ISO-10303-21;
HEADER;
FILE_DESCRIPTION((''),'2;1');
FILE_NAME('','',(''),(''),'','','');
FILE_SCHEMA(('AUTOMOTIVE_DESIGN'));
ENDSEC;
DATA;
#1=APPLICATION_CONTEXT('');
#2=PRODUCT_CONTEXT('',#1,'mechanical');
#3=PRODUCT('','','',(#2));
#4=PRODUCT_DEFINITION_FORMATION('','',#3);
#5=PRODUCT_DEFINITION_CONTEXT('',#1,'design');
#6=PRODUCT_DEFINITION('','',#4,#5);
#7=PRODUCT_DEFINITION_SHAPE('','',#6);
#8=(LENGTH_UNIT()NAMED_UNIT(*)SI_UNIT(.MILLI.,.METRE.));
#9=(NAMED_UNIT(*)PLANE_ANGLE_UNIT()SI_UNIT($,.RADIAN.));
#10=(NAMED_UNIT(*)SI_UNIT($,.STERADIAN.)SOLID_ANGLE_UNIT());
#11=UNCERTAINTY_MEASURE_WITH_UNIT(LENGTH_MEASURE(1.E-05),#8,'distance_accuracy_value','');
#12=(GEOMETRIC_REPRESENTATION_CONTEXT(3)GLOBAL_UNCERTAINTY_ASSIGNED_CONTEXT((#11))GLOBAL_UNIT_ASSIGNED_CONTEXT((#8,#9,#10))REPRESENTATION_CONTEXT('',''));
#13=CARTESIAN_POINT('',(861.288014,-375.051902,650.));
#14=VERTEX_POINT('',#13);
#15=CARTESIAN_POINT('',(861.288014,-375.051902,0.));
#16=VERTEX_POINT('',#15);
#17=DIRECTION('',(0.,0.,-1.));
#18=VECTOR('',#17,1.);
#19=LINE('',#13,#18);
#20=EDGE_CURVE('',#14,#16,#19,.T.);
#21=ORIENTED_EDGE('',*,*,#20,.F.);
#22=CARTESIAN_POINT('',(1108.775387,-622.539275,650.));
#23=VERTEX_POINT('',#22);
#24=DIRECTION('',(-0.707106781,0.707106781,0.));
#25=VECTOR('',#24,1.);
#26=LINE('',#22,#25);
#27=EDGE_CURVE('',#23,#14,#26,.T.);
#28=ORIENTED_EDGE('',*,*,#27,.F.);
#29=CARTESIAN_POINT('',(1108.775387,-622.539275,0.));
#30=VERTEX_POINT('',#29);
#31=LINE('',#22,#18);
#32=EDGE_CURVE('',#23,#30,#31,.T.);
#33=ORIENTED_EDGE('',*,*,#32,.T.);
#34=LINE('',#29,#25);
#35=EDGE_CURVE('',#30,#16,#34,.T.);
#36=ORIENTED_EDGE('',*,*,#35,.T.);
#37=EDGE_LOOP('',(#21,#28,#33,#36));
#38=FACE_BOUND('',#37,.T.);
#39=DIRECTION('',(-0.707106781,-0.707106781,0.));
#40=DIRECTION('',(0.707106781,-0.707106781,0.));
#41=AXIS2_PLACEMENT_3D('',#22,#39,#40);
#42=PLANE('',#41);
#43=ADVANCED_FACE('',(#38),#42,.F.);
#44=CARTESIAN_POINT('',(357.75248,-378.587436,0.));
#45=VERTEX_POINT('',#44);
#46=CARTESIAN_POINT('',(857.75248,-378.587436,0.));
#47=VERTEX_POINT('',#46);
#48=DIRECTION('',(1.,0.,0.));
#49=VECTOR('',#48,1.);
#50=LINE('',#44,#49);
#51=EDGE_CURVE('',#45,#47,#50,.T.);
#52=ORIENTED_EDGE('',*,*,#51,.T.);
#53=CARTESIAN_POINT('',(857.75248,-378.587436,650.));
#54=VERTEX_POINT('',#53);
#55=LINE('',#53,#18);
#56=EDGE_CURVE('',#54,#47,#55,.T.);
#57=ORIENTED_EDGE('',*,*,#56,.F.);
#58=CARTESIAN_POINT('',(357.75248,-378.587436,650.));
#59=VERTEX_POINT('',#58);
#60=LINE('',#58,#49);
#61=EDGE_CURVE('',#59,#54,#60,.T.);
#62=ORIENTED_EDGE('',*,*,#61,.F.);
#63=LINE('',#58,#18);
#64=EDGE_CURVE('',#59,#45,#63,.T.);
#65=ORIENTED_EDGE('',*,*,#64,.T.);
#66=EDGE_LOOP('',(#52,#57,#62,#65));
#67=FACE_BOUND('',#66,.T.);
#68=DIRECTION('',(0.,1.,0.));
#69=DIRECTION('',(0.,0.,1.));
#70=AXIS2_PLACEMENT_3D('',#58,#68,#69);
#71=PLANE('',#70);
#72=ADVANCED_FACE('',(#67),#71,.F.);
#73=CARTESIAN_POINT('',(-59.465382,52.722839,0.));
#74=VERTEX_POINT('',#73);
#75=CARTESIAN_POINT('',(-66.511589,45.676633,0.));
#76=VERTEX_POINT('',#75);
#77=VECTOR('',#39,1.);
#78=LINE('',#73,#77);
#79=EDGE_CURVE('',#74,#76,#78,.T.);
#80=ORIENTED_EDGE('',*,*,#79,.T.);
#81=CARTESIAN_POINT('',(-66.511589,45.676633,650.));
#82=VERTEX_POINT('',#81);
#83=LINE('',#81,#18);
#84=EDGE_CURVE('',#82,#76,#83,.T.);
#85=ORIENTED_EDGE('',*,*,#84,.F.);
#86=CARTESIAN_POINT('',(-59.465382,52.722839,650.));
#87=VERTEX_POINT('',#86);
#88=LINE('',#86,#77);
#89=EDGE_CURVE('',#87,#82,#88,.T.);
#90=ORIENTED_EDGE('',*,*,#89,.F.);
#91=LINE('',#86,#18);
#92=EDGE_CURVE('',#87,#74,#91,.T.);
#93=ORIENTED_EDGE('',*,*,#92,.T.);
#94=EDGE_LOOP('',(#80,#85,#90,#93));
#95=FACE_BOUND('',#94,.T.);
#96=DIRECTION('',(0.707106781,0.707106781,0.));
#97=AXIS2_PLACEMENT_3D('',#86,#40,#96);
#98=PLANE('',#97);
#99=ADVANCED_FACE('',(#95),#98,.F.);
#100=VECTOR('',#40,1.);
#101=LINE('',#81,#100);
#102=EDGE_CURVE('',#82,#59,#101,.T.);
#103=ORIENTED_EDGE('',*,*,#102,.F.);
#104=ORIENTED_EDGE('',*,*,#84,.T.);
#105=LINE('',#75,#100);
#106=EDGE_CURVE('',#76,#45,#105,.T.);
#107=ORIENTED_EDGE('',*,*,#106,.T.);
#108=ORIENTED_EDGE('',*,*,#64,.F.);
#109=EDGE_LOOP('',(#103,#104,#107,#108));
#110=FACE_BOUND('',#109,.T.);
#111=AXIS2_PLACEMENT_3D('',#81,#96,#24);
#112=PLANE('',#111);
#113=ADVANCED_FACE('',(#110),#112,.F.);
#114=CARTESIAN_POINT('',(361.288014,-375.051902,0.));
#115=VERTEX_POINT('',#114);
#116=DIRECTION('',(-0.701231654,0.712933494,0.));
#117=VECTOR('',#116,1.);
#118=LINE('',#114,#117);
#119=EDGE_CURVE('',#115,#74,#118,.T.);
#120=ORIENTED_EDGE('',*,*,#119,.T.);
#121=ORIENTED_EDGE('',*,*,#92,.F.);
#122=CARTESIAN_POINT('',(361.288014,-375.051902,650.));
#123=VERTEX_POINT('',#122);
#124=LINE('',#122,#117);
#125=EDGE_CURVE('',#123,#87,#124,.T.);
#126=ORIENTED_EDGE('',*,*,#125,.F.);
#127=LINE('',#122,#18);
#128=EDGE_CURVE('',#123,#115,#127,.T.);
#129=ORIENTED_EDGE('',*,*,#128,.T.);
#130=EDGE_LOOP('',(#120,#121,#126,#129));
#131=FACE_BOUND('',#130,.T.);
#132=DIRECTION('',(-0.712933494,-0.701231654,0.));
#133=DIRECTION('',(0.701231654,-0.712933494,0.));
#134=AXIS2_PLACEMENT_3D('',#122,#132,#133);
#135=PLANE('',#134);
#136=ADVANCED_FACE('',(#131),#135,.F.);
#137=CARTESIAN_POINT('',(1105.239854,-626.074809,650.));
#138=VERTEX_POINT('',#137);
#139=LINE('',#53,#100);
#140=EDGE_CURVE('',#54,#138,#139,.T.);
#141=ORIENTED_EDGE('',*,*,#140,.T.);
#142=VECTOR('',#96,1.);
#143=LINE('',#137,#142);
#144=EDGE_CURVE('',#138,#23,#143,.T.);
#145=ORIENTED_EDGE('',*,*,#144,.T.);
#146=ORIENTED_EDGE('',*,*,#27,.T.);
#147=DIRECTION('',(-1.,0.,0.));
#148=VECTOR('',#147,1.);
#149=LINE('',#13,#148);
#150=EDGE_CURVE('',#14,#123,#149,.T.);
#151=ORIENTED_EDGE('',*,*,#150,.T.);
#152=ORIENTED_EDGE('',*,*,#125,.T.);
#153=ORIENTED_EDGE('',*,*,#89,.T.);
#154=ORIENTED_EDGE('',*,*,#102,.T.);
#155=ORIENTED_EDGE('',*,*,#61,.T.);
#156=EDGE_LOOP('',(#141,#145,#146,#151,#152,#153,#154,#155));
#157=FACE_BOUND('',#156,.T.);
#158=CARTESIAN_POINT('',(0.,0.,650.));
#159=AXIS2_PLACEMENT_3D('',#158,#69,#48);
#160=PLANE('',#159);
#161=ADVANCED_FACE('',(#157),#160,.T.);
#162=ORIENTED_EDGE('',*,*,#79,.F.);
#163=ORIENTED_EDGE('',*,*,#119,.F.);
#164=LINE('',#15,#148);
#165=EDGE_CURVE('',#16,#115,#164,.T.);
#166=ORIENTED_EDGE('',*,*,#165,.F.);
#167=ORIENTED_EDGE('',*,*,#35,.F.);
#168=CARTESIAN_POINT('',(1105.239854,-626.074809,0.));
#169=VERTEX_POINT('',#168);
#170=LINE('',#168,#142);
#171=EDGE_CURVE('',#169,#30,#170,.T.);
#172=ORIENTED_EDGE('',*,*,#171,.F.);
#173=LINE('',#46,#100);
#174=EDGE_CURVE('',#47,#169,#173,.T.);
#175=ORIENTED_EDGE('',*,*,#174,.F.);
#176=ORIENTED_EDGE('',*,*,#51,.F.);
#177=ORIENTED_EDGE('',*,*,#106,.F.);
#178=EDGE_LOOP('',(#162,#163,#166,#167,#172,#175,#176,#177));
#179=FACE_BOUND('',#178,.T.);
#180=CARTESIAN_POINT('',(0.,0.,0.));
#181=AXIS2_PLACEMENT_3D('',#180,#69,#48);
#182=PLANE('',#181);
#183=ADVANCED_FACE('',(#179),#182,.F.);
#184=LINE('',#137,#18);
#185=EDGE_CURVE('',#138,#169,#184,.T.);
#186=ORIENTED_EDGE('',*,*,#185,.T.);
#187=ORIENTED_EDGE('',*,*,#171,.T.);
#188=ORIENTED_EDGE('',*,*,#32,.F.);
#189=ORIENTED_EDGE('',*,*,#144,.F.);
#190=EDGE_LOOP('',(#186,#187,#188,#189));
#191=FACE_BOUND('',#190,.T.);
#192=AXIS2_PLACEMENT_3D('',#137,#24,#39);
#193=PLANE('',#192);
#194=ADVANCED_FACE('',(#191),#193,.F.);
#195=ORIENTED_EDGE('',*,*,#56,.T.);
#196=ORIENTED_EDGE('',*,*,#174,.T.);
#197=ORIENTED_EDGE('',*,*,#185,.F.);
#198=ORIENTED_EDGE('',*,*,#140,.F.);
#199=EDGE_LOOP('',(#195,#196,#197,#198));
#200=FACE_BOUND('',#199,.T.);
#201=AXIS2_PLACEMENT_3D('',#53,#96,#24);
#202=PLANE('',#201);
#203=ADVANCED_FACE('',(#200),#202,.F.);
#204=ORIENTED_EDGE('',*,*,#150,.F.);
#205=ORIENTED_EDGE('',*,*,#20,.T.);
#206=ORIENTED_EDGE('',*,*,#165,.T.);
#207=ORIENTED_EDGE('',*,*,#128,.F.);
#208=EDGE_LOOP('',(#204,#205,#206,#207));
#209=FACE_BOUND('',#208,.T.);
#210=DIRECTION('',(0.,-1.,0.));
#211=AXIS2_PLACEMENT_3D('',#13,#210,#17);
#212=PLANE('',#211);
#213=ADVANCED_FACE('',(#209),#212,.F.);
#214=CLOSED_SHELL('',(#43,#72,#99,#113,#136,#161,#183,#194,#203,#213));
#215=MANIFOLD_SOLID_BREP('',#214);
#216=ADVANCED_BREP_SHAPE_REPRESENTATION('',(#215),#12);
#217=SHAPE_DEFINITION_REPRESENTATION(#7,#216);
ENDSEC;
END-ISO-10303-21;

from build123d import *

# Parameters (mm, degrees)
EXTRUDE_1_DEPTH = 650


with BuildPart() as part:
    # 草图1 → 凸台-拉伸1 (new body)
    with BuildSketch(Plane.XY):
        Polygon((-66.511588585, 45.676633124), (357.752480127, -378.587435588), (857.752480127, -378.587435588), (1105.239853543, -626.074809003), (1108.775387449, -622.539275097), (861.288014033, -375.051901682), (361.288014033, -375.051901682), (-59.465382374, 52.722839335), align=None)
    extrude(amount=EXTRUDE_1_DEPTH)


solid = part.part
